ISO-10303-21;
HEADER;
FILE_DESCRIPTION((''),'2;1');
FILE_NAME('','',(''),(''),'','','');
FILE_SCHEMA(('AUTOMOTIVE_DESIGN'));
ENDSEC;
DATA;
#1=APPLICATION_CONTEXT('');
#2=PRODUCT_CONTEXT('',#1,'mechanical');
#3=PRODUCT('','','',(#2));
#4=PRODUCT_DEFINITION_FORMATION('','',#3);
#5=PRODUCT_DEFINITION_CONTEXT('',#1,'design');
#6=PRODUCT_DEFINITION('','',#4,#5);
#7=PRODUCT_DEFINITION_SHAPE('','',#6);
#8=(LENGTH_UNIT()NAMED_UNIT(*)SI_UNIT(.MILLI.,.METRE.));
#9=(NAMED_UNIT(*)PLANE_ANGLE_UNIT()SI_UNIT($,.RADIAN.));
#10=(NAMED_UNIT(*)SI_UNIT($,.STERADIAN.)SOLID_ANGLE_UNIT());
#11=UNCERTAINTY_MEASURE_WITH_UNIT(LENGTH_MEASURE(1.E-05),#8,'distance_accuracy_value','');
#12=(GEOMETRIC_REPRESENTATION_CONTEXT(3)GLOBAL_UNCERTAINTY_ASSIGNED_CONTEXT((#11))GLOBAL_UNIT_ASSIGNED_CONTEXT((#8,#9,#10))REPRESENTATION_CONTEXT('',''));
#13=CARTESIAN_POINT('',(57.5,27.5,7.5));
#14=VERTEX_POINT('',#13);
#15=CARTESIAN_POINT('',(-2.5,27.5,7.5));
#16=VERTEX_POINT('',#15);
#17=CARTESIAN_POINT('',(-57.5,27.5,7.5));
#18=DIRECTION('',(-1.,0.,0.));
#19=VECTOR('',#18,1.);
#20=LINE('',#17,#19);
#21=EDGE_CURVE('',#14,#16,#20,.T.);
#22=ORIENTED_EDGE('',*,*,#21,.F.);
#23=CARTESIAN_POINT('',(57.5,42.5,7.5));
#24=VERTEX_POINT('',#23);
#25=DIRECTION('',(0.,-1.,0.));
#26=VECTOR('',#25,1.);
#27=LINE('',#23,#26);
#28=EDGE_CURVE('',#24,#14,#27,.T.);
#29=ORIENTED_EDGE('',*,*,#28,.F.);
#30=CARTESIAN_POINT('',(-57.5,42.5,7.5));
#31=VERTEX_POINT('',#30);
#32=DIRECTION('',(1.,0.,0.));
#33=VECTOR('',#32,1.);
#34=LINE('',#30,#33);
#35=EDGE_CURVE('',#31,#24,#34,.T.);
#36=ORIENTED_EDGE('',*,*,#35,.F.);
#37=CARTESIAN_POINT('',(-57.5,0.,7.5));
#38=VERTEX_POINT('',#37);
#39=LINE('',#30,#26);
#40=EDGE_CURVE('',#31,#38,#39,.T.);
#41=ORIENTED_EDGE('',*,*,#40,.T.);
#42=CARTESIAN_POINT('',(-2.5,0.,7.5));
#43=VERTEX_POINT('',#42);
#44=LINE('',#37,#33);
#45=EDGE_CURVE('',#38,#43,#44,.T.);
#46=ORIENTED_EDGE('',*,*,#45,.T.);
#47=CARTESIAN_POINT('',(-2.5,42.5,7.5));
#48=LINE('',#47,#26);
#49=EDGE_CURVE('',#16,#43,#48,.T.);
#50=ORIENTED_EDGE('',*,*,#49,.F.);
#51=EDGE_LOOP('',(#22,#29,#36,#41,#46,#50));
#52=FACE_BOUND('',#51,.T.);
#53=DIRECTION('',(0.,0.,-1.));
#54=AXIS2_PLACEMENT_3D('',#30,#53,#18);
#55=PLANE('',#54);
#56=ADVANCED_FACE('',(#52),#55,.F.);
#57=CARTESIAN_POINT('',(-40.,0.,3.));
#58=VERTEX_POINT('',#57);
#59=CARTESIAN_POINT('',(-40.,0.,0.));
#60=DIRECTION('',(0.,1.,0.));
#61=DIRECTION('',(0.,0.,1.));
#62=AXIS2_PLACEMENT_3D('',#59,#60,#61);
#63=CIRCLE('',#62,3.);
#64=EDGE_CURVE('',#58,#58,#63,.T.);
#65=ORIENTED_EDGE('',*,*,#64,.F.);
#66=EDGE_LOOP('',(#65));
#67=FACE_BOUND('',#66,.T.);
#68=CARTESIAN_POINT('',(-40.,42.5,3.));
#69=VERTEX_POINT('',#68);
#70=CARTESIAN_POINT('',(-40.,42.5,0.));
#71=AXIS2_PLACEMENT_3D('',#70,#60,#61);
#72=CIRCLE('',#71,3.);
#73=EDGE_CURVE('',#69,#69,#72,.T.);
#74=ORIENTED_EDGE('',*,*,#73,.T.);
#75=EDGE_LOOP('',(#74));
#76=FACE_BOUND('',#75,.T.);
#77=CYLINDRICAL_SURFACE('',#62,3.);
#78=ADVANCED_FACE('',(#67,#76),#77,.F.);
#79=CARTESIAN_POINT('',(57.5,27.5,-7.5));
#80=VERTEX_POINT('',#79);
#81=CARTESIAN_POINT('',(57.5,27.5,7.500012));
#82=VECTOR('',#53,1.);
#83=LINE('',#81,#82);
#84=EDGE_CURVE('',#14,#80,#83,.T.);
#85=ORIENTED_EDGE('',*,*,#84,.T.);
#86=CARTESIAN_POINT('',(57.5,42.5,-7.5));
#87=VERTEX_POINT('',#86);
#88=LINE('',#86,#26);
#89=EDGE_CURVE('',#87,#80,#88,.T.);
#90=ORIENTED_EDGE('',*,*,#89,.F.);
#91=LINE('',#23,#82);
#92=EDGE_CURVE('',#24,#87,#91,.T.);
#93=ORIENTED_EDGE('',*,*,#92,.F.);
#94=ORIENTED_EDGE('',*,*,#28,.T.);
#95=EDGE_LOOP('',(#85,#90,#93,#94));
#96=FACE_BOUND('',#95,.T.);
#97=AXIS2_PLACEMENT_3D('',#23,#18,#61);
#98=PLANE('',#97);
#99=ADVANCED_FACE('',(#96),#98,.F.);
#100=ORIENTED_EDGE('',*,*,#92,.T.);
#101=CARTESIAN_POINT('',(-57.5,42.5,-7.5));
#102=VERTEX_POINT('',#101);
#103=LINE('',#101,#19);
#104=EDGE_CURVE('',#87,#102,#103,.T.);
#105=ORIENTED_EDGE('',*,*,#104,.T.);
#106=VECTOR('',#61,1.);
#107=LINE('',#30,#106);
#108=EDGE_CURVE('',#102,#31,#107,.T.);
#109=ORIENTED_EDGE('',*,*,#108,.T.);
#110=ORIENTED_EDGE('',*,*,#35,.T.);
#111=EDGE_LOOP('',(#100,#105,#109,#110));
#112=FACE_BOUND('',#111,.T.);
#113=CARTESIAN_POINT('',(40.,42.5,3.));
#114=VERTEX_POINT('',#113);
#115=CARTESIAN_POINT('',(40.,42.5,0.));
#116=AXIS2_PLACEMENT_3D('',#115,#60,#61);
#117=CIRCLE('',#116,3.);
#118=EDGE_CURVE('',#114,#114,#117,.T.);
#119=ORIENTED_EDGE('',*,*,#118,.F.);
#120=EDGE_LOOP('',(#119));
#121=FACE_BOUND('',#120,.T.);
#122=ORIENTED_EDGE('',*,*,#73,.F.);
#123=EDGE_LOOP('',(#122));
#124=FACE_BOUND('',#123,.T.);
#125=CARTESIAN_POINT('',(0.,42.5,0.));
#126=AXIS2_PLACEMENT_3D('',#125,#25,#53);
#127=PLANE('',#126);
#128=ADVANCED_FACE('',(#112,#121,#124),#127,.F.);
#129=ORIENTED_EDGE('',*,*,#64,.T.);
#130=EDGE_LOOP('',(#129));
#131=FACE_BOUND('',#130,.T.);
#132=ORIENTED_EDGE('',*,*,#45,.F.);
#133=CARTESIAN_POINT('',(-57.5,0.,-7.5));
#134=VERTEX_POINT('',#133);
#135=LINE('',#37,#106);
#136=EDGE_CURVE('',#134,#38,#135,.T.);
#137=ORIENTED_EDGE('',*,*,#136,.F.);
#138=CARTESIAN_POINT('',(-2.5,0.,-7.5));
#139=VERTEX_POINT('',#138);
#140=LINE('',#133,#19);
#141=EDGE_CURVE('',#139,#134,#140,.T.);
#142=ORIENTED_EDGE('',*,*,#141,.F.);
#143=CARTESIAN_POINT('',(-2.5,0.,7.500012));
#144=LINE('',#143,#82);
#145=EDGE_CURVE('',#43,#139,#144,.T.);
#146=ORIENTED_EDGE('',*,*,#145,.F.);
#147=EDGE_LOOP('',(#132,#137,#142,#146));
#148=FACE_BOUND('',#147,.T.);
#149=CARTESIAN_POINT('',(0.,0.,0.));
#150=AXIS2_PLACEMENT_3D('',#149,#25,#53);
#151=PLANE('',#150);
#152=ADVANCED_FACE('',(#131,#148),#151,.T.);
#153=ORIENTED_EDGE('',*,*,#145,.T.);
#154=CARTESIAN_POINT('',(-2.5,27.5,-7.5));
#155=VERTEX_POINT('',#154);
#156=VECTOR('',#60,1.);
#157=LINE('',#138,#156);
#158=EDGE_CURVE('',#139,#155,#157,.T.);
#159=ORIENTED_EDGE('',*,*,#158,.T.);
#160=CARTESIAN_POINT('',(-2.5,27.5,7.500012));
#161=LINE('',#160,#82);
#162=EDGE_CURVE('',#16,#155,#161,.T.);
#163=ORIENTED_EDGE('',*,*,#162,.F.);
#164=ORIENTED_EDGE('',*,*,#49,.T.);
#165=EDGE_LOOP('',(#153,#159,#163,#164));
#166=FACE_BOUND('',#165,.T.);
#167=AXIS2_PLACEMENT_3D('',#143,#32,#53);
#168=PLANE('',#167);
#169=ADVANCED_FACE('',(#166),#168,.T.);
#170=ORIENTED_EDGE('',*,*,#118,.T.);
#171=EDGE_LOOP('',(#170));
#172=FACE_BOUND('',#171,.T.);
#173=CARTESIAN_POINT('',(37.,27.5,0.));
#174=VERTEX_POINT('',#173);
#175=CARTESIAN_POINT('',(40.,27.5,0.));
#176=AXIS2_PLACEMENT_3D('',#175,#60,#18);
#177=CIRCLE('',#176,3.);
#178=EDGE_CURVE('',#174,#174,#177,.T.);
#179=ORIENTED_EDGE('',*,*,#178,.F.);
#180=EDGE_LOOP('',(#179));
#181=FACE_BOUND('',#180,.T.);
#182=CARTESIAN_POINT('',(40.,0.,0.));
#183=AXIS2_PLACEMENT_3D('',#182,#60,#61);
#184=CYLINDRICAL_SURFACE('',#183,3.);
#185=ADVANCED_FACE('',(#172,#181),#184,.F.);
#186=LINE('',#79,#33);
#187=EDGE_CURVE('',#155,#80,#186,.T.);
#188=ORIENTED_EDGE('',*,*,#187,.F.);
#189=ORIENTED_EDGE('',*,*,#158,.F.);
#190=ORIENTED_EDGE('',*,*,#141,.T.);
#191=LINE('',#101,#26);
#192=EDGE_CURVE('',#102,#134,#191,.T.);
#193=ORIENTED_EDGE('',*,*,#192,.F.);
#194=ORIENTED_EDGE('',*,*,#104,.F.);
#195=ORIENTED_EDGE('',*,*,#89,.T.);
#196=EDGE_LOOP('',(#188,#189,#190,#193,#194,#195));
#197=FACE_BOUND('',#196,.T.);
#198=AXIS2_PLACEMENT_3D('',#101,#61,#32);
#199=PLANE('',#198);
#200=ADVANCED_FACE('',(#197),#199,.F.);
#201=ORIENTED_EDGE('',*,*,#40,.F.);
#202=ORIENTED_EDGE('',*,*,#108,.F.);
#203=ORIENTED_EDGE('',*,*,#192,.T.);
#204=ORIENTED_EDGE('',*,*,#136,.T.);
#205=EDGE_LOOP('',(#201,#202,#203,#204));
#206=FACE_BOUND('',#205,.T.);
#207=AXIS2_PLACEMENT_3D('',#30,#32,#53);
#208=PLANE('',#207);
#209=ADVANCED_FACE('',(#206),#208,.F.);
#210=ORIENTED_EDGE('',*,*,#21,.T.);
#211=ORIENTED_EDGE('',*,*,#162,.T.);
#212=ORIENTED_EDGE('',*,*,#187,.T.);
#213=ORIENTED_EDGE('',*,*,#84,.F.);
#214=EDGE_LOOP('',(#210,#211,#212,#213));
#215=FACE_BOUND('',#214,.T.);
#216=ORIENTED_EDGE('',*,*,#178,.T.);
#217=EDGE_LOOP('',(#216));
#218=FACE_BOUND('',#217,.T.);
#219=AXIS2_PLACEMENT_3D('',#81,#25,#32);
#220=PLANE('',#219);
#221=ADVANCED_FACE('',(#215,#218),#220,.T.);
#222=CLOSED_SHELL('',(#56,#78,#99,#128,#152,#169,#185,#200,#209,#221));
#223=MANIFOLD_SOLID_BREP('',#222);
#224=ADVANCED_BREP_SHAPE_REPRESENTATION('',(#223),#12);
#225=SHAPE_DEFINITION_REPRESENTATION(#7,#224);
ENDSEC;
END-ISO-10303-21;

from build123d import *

# Parameters (mm, degrees)
SKETCH1_W                      = 115
SKETCH1_H                      = 15
BOSS_EXTRUDE1_DEPTH            = 42.5
SKETCH2_R                      = 3
CUT_EXTRUDE1_DEPTH             = 42.5
CUT_EXTRUDE2_REACH             = 17
SKETCH3_W                      = 60
SKETCH3_H                      = 27.5
CUT_EXTRUDE2_DIRECTION_2_DEPTH = 1


with BuildPart() as part:
    # Sketch1 → Boss-Extrude1 (new body)
    with BuildSketch(Plane(origin=(0, 0, 0), x_dir=(1, 0, 0), z_dir=(0, 1, 0))):
        Rectangle(SKETCH1_W, SKETCH1_H)
    extrude(amount=BOSS_EXTRUDE1_DEPTH)

    # Sketch2 → Cut-Extrude1 (cut)
    with BuildSketch(Plane(origin=(0, 42.5, 0), x_dir=(1, 0, 0), z_dir=(0, 1, 0))):
        with Locations((-40, 0)):
            Circle(SKETCH2_R)
        with Locations((40, 0)):
            Circle(SKETCH2_R)
    extrude(amount=-CUT_EXTRUDE1_DEPTH, mode=Mode.SUBTRACT)

    # Sketch3 → Cut-Extrude2 (cut, up to next)
    with BuildSketch(Plane.XY.offset(7.5), mode=Mode.PRIVATE) as cut_extrude2_sk1:
        with Locations((27.5, 13.75)):
            Rectangle(SKETCH3_W, SKETCH3_H)
    cut_extrude2_tool1 = extrude(cut_extrude2_sk1.sketch, amount=-CUT_EXTRUDE2_REACH, mode=Mode.PRIVATE) & part.part
    add(cut_extrude2_tool1.solids().sort_by_distance((27.5, 13.75, 7.5))[0], mode=Mode.SUBTRACT)

    # Sketch3 → Cut-Extrude2 direction 2 (cut)
    with BuildSketch(Plane.XY.offset(7.5)):
        with Locations((27.5, 13.75)):
            Rectangle(SKETCH3_W, SKETCH3_H)
    extrude(amount=CUT_EXTRUDE2_DIRECTION_2_DEPTH, mode=Mode.SUBTRACT)


solid = part.part
